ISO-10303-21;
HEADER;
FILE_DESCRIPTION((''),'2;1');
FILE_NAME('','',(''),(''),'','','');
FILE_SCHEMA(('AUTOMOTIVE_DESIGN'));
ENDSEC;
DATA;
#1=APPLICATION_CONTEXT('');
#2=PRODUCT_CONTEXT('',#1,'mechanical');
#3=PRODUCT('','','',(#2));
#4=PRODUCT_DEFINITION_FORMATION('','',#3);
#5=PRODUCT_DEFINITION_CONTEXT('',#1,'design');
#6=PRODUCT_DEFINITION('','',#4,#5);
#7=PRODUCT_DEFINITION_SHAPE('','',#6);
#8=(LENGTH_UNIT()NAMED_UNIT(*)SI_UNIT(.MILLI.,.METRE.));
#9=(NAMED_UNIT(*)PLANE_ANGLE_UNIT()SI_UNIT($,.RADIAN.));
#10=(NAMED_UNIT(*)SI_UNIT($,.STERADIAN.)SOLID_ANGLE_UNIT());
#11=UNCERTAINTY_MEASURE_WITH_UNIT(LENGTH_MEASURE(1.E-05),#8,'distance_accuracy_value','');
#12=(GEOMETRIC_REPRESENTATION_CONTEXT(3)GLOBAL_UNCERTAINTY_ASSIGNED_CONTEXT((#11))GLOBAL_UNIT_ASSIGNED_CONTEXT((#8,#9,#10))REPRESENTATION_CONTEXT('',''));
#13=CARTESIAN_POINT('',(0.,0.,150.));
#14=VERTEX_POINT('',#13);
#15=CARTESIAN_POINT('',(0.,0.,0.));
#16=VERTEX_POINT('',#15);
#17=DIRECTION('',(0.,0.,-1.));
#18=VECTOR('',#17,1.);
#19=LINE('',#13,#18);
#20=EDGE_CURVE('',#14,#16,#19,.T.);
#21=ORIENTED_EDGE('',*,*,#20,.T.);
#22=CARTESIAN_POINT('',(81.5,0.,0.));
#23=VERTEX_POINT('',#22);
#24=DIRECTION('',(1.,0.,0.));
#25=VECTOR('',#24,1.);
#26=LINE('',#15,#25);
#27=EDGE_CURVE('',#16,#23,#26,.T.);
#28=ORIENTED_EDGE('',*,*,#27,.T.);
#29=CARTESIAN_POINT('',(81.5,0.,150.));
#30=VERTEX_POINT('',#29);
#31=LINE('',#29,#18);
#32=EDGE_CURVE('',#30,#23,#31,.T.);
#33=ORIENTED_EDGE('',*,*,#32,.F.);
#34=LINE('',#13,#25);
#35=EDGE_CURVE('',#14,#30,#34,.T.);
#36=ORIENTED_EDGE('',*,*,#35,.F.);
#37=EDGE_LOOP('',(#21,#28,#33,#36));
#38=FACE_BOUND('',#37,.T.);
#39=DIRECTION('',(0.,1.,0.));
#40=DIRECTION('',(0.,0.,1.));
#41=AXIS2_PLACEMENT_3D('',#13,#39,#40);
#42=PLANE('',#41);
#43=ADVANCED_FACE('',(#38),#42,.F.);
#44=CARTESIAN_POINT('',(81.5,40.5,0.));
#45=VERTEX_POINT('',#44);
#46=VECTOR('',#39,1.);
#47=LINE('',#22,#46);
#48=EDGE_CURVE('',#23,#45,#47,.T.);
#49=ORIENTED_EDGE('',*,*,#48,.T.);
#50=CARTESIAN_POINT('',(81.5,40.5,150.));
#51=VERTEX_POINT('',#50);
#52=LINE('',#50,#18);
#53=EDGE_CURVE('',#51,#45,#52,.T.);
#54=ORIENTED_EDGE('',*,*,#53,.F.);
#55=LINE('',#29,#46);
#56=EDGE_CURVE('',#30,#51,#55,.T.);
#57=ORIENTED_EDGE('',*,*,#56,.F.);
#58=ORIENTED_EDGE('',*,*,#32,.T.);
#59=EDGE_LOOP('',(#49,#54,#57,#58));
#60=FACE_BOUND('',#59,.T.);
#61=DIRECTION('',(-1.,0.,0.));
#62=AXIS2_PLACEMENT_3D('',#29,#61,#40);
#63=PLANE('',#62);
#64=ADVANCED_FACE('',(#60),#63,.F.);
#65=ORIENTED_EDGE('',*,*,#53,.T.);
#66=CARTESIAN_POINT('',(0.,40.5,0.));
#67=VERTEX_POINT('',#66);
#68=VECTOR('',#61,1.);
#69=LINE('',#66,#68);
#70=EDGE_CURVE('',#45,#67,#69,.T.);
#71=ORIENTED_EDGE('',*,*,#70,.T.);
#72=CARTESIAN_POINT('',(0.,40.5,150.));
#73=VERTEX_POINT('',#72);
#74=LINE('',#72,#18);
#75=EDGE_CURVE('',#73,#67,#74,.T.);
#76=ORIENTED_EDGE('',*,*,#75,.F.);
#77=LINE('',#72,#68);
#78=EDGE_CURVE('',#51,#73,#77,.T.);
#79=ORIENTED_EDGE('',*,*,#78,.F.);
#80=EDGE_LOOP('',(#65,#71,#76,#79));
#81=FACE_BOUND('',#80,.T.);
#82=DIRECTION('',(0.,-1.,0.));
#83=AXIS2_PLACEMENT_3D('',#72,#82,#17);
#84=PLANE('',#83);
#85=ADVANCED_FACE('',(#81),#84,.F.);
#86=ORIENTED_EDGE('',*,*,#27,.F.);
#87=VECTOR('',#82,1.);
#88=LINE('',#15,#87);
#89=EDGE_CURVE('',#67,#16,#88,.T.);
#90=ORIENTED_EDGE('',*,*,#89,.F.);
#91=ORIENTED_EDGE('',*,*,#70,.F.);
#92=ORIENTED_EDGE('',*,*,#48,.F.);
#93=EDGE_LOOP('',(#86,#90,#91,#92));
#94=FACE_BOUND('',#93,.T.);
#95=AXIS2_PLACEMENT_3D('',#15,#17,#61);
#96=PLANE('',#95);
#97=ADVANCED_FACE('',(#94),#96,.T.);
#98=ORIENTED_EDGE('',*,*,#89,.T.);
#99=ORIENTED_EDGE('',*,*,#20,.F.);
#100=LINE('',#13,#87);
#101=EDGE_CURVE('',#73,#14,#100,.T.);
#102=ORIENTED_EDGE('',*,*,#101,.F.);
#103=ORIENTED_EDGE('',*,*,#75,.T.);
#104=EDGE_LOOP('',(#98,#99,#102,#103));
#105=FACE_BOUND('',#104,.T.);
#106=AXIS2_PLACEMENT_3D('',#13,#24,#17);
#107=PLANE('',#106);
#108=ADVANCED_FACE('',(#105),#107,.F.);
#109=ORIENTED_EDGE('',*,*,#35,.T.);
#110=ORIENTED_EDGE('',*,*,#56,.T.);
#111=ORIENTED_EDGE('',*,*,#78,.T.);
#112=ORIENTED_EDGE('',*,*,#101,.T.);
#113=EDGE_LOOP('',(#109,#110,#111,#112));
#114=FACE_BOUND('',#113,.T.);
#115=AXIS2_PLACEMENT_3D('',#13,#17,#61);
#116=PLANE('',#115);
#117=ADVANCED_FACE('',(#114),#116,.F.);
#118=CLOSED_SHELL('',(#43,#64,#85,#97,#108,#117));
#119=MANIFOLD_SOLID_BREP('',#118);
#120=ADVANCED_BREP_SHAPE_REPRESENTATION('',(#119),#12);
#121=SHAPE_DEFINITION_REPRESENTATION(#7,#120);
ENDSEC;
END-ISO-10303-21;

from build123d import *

# Parameters (mm, degrees)
SKETCH_1_W      = 81.5
SKETCH_1_H      = 40.5
EXTRUDE_1_DEPTH = 150


with BuildPart() as part:
    # 草图1 → 凸台-拉伸1 (new body)
    with BuildSketch(Plane.XY):
        with Locations((40.75, 20.25)):
            Rectangle(SKETCH_1_W, SKETCH_1_H)
    extrude(amount=EXTRUDE_1_DEPTH)


solid = part.part
